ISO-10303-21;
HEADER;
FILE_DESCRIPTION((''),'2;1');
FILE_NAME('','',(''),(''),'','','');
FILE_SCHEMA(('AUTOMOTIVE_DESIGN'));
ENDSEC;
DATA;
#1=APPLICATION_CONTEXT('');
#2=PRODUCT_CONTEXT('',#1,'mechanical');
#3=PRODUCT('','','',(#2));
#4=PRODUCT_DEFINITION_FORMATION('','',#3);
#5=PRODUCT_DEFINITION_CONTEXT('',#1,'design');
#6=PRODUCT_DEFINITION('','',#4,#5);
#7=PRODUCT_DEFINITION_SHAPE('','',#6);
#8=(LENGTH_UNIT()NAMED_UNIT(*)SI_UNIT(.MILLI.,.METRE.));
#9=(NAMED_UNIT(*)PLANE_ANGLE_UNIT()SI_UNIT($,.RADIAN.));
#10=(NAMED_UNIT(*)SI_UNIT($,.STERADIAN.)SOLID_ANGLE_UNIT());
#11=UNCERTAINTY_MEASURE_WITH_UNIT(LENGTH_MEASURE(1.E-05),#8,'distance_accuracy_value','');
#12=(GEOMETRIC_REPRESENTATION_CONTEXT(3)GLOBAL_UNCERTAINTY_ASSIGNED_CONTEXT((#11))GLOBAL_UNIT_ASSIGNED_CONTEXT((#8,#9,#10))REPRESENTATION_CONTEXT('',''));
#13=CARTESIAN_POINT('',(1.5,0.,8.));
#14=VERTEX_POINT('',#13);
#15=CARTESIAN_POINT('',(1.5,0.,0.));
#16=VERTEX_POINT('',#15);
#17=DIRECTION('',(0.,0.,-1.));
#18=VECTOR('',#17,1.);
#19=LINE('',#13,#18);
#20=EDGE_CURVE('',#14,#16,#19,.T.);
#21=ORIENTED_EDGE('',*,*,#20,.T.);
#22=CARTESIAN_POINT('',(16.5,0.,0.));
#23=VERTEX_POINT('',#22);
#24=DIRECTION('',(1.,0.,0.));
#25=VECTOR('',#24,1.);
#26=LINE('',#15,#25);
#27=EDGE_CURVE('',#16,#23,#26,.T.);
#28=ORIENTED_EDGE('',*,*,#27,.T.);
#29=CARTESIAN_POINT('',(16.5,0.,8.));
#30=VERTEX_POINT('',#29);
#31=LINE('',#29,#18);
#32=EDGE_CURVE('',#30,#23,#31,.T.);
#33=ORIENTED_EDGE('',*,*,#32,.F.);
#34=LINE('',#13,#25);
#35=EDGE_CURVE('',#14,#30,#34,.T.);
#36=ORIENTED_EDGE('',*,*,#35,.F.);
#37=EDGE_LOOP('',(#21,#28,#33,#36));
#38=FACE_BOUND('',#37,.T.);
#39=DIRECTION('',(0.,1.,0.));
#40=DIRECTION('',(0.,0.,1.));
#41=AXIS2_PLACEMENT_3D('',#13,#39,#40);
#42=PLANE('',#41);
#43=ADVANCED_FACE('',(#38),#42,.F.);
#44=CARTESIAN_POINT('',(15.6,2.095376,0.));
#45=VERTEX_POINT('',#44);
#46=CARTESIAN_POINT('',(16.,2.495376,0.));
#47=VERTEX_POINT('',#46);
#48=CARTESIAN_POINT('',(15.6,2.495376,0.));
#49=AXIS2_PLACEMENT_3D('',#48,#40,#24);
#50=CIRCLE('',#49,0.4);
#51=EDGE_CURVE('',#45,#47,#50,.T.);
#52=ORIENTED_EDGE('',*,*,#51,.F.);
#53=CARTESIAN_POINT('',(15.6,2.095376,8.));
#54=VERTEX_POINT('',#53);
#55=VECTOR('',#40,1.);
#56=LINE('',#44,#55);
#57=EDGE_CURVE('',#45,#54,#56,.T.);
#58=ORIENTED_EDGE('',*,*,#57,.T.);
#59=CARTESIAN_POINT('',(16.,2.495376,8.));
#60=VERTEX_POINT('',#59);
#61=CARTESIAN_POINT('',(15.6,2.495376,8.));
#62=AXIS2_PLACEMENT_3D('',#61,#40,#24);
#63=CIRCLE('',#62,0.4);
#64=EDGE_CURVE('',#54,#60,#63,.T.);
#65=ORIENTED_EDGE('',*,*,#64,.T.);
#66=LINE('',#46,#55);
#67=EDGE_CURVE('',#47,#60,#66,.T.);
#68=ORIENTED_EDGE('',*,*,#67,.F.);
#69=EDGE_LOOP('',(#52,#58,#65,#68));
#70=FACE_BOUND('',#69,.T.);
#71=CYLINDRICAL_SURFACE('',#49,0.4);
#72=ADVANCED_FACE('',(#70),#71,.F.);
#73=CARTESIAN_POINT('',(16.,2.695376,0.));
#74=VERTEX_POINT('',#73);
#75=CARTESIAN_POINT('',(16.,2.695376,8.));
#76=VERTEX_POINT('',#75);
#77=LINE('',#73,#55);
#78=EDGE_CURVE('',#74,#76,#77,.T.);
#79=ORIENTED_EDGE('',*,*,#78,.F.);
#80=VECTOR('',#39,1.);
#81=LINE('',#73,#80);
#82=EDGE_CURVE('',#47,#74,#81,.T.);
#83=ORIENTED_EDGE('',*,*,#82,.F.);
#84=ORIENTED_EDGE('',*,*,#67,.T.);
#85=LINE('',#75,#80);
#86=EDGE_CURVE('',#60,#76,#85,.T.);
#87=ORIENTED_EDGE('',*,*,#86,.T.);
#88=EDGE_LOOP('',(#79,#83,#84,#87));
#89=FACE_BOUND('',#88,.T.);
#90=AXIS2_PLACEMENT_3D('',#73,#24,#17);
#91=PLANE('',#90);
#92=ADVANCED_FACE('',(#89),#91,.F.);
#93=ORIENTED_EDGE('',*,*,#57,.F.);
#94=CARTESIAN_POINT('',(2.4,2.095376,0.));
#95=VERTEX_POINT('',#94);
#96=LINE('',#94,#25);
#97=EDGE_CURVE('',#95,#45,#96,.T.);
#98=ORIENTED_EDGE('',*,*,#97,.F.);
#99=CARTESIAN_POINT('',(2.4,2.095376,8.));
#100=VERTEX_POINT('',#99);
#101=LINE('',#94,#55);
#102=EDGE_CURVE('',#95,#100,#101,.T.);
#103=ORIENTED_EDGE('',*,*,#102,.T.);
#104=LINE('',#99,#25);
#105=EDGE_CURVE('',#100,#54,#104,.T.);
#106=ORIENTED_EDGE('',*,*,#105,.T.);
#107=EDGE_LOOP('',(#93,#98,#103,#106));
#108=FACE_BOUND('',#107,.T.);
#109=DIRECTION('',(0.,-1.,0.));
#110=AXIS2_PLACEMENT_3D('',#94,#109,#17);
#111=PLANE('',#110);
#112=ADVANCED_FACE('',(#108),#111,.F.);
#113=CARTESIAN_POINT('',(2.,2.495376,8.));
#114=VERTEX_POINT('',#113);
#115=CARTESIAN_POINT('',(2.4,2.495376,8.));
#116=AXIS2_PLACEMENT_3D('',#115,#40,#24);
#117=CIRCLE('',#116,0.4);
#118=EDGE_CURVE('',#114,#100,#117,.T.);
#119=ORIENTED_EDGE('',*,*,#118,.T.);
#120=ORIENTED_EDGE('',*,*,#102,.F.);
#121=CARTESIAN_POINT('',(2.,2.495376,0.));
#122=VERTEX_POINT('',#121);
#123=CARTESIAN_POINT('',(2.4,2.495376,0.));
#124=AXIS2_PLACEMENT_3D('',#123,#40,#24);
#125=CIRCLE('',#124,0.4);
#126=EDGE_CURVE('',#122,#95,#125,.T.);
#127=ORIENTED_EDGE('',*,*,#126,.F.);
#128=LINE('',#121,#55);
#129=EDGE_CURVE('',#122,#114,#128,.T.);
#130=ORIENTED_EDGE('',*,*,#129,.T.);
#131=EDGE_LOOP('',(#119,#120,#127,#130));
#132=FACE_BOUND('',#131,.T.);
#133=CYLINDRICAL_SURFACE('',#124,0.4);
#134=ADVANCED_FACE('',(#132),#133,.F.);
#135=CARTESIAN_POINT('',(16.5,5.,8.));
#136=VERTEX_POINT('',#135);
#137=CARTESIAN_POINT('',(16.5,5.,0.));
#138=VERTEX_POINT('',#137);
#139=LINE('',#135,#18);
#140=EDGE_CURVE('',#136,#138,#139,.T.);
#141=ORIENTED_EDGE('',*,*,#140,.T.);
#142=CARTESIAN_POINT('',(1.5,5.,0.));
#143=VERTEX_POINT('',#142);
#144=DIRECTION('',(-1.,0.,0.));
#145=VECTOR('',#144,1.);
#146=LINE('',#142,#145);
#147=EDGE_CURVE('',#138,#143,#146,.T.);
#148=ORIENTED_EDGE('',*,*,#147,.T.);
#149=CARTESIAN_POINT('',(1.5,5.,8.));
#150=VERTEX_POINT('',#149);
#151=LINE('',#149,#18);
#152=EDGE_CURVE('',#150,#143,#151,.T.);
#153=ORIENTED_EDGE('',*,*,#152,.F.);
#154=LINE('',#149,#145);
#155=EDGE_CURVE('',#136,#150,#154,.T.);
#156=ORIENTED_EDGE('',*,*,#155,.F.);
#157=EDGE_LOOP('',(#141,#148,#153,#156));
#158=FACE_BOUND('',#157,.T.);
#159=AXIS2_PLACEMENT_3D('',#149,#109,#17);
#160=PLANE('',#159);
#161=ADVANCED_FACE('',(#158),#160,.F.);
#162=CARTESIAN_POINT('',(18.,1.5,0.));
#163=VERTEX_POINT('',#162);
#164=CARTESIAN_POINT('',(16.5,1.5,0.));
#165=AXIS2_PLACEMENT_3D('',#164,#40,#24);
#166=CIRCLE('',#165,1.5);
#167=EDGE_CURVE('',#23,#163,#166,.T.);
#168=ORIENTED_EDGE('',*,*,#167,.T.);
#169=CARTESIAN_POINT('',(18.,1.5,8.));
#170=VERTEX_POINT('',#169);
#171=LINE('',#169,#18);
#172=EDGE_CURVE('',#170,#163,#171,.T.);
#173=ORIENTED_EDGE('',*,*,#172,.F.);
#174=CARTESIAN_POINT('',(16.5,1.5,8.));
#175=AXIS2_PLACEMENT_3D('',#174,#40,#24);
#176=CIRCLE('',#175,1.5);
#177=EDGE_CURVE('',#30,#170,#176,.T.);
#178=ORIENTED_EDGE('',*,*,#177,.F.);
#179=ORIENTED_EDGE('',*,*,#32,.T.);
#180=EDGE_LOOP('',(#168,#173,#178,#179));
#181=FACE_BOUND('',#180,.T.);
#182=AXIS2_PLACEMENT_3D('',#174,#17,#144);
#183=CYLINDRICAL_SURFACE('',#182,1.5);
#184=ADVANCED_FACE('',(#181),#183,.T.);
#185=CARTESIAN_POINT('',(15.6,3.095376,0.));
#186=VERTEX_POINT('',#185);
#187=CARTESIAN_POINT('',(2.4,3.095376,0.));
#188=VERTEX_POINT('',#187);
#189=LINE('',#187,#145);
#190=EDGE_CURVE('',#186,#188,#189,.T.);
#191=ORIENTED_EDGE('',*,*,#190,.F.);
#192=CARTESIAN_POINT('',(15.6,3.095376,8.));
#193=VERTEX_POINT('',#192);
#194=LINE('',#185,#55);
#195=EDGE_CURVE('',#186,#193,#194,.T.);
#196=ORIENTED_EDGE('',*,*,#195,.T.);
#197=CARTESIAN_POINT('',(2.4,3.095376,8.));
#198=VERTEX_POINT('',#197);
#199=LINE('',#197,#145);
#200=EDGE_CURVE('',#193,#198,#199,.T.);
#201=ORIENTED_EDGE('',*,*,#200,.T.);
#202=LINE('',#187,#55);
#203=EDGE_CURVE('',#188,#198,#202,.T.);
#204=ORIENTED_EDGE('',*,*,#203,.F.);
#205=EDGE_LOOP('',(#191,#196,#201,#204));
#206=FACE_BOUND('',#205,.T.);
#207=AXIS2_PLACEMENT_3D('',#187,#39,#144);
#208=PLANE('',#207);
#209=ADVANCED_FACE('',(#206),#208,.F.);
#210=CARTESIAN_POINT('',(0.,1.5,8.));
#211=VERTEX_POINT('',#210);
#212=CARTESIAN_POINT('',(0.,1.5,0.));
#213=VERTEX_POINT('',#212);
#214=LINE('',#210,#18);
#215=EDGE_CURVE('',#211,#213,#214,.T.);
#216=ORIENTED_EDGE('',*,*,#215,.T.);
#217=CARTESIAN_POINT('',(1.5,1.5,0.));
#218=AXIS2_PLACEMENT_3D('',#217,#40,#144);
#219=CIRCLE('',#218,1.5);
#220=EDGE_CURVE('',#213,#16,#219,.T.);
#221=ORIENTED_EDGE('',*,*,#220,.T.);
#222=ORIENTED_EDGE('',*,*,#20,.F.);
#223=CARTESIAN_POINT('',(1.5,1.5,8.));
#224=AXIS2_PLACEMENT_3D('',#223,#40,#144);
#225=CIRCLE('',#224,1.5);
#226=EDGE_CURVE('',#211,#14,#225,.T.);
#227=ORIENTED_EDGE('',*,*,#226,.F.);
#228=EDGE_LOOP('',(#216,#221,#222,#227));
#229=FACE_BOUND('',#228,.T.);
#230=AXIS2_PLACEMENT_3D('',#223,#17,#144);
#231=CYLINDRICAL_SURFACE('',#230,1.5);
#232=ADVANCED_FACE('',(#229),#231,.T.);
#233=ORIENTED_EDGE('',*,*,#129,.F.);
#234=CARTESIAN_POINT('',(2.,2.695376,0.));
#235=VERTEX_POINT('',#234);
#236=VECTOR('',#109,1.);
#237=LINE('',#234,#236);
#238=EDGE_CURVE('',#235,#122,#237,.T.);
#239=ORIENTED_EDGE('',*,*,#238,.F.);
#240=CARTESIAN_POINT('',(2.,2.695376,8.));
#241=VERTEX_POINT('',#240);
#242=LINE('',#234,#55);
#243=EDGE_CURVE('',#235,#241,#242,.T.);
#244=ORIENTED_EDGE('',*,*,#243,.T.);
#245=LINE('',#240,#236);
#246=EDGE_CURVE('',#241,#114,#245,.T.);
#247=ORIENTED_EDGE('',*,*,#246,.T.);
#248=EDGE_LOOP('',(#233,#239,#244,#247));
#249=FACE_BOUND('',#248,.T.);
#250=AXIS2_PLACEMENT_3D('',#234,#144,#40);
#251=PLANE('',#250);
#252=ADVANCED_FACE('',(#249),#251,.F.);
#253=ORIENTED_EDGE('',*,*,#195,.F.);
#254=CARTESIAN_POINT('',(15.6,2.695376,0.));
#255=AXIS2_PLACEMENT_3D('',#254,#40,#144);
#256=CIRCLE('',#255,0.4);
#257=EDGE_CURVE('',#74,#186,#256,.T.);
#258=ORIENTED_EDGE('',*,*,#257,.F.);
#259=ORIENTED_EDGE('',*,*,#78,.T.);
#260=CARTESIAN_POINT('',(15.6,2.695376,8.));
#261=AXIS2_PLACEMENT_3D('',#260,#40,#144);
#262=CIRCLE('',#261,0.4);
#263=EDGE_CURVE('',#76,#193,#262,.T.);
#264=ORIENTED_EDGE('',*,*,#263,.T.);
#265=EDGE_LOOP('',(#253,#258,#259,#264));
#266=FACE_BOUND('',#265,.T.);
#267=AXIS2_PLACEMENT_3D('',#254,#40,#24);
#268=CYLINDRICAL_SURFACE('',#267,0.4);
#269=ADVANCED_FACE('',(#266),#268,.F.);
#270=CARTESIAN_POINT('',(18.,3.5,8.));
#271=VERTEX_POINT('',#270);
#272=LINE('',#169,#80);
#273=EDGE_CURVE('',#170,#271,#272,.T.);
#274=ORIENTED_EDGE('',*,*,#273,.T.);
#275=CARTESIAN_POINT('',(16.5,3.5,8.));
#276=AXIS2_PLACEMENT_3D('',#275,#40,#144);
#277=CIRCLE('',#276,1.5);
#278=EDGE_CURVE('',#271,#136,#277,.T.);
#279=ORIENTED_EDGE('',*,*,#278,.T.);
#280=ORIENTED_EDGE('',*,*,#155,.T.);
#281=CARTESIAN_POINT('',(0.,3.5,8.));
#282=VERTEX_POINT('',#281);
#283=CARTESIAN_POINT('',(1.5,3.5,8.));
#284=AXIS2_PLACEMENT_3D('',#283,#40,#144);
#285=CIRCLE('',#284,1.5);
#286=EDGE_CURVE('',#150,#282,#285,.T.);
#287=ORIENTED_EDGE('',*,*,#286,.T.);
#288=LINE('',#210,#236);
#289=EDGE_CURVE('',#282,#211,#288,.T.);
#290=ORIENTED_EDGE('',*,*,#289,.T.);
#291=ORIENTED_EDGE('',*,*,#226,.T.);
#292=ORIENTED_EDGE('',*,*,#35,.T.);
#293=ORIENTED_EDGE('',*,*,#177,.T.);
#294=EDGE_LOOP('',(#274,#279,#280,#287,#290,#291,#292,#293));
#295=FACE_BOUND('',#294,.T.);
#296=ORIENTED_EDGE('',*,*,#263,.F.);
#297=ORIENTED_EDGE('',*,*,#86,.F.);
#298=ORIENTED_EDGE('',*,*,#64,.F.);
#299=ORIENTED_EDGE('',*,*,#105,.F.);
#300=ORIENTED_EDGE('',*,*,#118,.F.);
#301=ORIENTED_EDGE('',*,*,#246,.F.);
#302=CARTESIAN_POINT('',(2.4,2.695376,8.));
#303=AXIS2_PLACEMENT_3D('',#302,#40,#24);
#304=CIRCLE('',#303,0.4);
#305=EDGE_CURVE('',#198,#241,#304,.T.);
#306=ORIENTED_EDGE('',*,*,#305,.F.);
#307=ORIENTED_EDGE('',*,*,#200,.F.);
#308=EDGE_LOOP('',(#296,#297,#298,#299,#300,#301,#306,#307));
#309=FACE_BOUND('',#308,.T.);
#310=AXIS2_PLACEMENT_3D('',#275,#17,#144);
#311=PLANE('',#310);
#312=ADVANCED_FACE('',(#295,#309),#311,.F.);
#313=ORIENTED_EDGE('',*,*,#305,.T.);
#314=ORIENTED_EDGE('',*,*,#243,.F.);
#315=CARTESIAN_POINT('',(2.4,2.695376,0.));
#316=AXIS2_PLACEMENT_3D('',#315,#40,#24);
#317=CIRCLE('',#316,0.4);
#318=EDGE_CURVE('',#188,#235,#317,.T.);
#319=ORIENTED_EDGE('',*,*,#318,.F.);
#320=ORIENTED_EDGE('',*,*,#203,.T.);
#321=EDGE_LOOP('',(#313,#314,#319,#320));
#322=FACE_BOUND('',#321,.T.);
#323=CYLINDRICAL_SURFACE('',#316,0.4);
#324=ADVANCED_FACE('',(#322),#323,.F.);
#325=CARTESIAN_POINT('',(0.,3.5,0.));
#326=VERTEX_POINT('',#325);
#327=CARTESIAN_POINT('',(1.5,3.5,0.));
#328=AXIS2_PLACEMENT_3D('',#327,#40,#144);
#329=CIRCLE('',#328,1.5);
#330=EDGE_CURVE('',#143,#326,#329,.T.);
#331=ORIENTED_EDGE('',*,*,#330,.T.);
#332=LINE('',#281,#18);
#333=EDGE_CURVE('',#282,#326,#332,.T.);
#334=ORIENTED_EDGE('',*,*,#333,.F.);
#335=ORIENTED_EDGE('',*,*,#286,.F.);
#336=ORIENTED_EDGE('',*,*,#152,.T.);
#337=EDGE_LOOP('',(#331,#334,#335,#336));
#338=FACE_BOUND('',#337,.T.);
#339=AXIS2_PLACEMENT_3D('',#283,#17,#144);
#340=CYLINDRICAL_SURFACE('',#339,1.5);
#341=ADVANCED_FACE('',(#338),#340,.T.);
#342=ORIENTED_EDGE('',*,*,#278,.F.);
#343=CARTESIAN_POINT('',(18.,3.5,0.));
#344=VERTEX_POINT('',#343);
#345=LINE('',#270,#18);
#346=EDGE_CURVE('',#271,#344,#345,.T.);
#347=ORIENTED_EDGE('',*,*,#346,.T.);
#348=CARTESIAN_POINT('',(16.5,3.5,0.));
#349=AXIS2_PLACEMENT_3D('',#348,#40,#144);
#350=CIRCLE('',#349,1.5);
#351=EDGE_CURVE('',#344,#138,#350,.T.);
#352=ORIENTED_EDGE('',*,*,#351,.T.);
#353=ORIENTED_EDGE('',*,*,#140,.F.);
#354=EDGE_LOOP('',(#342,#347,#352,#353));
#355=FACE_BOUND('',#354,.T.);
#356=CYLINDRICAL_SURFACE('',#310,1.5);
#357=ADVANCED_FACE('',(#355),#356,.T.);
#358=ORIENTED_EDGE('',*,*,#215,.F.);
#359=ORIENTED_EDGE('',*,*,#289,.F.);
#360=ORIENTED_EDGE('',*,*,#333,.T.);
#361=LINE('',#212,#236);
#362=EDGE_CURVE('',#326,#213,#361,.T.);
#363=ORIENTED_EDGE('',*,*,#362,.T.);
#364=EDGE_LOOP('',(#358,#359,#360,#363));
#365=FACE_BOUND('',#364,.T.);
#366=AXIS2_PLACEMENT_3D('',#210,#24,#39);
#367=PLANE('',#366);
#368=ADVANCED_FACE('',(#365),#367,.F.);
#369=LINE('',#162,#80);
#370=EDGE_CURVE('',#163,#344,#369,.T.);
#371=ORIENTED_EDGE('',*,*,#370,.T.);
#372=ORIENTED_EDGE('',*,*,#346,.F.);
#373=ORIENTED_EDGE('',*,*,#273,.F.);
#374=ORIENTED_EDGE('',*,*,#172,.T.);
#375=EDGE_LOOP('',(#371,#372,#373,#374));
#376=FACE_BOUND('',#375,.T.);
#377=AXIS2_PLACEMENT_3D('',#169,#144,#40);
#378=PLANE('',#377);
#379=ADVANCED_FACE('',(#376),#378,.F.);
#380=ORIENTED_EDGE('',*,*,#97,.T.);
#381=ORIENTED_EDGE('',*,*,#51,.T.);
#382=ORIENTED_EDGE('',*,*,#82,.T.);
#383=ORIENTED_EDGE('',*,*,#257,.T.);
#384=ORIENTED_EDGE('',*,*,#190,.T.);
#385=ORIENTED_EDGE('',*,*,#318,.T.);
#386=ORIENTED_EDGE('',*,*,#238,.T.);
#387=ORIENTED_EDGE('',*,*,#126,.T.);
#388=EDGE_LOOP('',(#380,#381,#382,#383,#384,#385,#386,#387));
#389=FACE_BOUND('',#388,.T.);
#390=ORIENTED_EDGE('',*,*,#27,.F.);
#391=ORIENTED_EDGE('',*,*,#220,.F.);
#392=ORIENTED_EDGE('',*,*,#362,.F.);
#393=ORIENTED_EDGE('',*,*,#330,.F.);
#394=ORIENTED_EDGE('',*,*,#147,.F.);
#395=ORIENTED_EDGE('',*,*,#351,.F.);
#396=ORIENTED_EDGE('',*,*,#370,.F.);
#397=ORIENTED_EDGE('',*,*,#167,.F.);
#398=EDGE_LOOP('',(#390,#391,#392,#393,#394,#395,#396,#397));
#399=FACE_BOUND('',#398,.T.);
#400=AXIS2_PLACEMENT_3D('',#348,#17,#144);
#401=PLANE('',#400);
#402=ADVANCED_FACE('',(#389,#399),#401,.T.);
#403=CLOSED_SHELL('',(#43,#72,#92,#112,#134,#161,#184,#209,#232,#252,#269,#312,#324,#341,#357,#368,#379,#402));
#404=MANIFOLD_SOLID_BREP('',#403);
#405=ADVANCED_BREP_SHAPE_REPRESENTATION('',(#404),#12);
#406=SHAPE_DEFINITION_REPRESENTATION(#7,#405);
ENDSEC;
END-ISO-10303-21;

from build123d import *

# Parameters (mm, degrees)
EXTRUSION1_DEPTH        = 8
ENL_V_MAT_EXTRU_1_DEPTH = 8


with BuildPart() as part:
    # Esquisse1 → Extrusion1 (new body)
    with BuildSketch(Plane.XY):
        with BuildLine():
            Line((1.5, 0), (16.5, 0))
            ThreePointArc((16.5, 0), (17.560660172, 0.439339828), (18, 1.5))
            Line((18, 1.5), (18, 3.5))
            ThreePointArc((18, 3.5), (17.560660172, 4.560660172), (16.5, 5))
            Line((16.5, 5), (1.5, 5))
            ThreePointArc((1.5, 5), (0.439339828, 4.560660172), (0, 3.5))
            Line((0, 3.5), (0, 1.5))
            ThreePointArc((0, 1.5), (0.439339828, 0.439339828), (1.5, 0))
        make_face()
    extrude(amount=EXTRUSION1_DEPTH)

    # Esquisse2 → Enlèv. mat.-Extru.1 (cut)
    with BuildSketch(Plane.XY.offset(8)):
        with BuildLine():
            Line((2.4, 3.095375723), (15.6, 3.095375723))
            ThreePointArc((15.6, 3.095375723), (15.882842712, 2.978218435), (16, 2.695375723))
            Line((16, 2.695375723), (16, 2.495375723))
            ThreePointArc((16, 2.495375723), (15.882842712, 2.21253301), (15.6, 2.095375723))
            Line((15.6, 2.095375723), (2.4, 2.095375723))
            ThreePointArc((2.4, 2.095375723), (2.117157288, 2.21253301), (2, 2.495375723))
            Line((2, 2.495375723), (2, 2.695375723))
            ThreePointArc((2, 2.695375723), (2.117157288, 2.978218435), (2.4, 3.095375723))
        make_face()
    extrude(amount=-ENL_V_MAT_EXTRU_1_DEPTH, mode=Mode.SUBTRACT)


solid = part.part
